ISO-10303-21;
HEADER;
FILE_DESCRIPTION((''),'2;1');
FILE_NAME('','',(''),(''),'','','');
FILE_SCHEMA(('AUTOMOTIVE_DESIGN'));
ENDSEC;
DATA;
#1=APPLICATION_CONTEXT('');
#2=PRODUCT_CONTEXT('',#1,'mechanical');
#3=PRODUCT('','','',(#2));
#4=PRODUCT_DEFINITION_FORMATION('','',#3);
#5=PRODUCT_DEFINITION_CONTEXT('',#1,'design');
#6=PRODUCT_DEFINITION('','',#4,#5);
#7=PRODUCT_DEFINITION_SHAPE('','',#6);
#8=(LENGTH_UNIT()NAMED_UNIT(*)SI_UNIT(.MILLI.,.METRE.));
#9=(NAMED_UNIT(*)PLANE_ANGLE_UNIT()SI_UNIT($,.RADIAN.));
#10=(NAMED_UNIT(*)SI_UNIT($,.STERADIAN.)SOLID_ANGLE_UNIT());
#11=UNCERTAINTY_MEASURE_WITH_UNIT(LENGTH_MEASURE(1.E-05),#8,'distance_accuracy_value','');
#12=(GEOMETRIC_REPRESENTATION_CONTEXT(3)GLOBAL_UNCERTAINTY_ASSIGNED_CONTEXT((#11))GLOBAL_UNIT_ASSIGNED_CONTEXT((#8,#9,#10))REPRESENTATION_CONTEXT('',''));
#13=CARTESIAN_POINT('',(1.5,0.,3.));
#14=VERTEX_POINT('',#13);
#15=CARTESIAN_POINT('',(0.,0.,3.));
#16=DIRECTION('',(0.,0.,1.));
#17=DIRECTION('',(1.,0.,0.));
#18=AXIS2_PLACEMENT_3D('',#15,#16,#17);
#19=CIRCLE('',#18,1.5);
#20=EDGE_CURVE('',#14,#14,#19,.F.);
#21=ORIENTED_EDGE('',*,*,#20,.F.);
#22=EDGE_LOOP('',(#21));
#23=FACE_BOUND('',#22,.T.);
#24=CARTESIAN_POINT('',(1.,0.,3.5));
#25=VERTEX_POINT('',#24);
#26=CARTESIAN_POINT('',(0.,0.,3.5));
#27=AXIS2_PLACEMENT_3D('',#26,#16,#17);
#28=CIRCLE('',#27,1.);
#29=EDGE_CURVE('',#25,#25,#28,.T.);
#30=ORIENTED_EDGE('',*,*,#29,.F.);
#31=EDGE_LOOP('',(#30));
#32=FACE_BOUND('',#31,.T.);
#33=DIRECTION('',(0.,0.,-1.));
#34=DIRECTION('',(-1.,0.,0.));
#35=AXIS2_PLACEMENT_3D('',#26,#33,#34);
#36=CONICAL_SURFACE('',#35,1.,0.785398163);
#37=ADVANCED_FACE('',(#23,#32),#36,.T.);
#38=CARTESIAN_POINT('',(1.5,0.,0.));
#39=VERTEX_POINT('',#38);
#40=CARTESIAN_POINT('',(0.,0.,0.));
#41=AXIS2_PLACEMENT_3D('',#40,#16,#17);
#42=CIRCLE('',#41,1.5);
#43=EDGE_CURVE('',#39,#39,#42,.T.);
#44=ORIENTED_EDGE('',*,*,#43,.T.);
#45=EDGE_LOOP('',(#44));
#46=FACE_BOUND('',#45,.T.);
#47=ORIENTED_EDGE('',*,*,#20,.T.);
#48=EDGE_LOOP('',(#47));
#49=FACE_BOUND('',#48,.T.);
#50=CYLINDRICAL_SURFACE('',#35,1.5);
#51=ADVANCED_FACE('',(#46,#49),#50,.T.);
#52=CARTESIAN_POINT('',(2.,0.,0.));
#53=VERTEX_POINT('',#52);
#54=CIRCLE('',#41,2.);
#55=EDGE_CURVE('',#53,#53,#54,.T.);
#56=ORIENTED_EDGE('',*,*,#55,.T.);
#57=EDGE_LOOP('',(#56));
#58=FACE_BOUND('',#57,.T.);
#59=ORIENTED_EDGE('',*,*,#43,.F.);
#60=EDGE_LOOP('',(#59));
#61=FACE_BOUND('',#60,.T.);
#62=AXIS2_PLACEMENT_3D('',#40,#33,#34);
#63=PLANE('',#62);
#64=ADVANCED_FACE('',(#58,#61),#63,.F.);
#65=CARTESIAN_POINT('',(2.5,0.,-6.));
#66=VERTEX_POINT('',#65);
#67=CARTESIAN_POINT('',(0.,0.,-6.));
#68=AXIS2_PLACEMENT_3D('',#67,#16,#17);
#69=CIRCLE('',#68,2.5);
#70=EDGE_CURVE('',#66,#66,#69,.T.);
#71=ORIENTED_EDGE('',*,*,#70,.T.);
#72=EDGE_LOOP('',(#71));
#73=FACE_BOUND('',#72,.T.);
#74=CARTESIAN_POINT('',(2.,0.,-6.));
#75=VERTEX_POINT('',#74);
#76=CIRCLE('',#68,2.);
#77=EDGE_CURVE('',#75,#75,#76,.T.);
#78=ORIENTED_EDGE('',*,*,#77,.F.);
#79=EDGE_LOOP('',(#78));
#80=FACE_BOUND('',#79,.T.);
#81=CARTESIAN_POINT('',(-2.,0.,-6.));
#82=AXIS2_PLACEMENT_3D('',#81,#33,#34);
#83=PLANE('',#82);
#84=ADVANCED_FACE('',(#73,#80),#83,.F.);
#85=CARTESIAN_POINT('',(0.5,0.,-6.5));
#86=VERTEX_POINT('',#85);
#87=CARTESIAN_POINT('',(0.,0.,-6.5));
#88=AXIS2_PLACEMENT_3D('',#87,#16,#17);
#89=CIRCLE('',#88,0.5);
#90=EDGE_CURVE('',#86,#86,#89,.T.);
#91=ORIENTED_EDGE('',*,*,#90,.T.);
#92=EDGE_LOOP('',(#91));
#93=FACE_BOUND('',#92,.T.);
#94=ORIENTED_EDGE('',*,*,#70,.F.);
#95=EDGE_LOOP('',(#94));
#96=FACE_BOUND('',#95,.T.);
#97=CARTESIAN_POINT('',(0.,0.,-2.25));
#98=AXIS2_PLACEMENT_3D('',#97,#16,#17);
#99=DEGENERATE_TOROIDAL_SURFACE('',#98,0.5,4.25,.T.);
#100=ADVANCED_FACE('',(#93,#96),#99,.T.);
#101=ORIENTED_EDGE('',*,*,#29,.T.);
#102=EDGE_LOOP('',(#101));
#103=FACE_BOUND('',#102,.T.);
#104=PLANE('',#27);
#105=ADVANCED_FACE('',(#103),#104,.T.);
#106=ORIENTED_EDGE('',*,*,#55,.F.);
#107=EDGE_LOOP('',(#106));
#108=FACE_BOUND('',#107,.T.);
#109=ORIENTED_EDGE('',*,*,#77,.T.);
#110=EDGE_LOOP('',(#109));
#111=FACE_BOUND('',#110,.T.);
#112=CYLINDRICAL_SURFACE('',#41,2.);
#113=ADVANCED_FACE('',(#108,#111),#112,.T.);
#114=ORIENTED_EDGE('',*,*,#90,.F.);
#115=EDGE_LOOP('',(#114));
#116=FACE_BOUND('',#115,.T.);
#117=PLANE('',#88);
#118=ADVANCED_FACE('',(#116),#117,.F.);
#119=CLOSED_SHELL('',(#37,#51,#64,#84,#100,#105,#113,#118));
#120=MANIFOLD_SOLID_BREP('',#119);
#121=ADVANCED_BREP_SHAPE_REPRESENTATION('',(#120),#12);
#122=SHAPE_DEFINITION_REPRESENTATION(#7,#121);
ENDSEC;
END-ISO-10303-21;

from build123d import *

# Parameters (mm, degrees)
SKETCH2_R           = 1.5
BOSS_EXTRUDE1_DEPTH = 3.5
CHAMFER1_SIZE       = 0.5


with BuildPart() as part:
    # Sketch1 → Revolve1 (revolve)
    with BuildSketch(Plane(origin=(0, 0, 0), x_dir=(1, 0, 0), z_dir=(0, 1, 0)), mode=Mode.PRIVATE) as revolve1_sk:
        with BuildLine():
            Line((0, 0), (-2, 0))
            Line((-2, 0), (-2, 6))
            Line((-2, 6), (-2.5, 6))
            ThreePointArc((-2.5, 6), (-1.530776406, 6.373105626), (-0.5, 6.5))
            Line((-0.5, 6.5), (0, 6.5))
            Line((0, 6.5), (0, 0))
        make_face()
    revolve(revolve1_sk.sketch.rotate(Axis((0, 0, 0), (0, 0, -1)), 180), axis=Axis((0, 0, 0), (0, 0, -1)))

    # Sketch2 → Boss-Extrude1 (add)
    with BuildSketch(Plane.XY):
        Circle(SKETCH2_R)
    extrude(amount=BOSS_EXTRUDE1_DEPTH)

    # Chamfer1
    chamfer1_edges = [part.edges().sort_by_distance(p)[0] for p in [
        (-1.5, 0, 3.5),
    ]]
    chamfer(chamfer1_edges, length=CHAMFER1_SIZE)


solid = part.part
